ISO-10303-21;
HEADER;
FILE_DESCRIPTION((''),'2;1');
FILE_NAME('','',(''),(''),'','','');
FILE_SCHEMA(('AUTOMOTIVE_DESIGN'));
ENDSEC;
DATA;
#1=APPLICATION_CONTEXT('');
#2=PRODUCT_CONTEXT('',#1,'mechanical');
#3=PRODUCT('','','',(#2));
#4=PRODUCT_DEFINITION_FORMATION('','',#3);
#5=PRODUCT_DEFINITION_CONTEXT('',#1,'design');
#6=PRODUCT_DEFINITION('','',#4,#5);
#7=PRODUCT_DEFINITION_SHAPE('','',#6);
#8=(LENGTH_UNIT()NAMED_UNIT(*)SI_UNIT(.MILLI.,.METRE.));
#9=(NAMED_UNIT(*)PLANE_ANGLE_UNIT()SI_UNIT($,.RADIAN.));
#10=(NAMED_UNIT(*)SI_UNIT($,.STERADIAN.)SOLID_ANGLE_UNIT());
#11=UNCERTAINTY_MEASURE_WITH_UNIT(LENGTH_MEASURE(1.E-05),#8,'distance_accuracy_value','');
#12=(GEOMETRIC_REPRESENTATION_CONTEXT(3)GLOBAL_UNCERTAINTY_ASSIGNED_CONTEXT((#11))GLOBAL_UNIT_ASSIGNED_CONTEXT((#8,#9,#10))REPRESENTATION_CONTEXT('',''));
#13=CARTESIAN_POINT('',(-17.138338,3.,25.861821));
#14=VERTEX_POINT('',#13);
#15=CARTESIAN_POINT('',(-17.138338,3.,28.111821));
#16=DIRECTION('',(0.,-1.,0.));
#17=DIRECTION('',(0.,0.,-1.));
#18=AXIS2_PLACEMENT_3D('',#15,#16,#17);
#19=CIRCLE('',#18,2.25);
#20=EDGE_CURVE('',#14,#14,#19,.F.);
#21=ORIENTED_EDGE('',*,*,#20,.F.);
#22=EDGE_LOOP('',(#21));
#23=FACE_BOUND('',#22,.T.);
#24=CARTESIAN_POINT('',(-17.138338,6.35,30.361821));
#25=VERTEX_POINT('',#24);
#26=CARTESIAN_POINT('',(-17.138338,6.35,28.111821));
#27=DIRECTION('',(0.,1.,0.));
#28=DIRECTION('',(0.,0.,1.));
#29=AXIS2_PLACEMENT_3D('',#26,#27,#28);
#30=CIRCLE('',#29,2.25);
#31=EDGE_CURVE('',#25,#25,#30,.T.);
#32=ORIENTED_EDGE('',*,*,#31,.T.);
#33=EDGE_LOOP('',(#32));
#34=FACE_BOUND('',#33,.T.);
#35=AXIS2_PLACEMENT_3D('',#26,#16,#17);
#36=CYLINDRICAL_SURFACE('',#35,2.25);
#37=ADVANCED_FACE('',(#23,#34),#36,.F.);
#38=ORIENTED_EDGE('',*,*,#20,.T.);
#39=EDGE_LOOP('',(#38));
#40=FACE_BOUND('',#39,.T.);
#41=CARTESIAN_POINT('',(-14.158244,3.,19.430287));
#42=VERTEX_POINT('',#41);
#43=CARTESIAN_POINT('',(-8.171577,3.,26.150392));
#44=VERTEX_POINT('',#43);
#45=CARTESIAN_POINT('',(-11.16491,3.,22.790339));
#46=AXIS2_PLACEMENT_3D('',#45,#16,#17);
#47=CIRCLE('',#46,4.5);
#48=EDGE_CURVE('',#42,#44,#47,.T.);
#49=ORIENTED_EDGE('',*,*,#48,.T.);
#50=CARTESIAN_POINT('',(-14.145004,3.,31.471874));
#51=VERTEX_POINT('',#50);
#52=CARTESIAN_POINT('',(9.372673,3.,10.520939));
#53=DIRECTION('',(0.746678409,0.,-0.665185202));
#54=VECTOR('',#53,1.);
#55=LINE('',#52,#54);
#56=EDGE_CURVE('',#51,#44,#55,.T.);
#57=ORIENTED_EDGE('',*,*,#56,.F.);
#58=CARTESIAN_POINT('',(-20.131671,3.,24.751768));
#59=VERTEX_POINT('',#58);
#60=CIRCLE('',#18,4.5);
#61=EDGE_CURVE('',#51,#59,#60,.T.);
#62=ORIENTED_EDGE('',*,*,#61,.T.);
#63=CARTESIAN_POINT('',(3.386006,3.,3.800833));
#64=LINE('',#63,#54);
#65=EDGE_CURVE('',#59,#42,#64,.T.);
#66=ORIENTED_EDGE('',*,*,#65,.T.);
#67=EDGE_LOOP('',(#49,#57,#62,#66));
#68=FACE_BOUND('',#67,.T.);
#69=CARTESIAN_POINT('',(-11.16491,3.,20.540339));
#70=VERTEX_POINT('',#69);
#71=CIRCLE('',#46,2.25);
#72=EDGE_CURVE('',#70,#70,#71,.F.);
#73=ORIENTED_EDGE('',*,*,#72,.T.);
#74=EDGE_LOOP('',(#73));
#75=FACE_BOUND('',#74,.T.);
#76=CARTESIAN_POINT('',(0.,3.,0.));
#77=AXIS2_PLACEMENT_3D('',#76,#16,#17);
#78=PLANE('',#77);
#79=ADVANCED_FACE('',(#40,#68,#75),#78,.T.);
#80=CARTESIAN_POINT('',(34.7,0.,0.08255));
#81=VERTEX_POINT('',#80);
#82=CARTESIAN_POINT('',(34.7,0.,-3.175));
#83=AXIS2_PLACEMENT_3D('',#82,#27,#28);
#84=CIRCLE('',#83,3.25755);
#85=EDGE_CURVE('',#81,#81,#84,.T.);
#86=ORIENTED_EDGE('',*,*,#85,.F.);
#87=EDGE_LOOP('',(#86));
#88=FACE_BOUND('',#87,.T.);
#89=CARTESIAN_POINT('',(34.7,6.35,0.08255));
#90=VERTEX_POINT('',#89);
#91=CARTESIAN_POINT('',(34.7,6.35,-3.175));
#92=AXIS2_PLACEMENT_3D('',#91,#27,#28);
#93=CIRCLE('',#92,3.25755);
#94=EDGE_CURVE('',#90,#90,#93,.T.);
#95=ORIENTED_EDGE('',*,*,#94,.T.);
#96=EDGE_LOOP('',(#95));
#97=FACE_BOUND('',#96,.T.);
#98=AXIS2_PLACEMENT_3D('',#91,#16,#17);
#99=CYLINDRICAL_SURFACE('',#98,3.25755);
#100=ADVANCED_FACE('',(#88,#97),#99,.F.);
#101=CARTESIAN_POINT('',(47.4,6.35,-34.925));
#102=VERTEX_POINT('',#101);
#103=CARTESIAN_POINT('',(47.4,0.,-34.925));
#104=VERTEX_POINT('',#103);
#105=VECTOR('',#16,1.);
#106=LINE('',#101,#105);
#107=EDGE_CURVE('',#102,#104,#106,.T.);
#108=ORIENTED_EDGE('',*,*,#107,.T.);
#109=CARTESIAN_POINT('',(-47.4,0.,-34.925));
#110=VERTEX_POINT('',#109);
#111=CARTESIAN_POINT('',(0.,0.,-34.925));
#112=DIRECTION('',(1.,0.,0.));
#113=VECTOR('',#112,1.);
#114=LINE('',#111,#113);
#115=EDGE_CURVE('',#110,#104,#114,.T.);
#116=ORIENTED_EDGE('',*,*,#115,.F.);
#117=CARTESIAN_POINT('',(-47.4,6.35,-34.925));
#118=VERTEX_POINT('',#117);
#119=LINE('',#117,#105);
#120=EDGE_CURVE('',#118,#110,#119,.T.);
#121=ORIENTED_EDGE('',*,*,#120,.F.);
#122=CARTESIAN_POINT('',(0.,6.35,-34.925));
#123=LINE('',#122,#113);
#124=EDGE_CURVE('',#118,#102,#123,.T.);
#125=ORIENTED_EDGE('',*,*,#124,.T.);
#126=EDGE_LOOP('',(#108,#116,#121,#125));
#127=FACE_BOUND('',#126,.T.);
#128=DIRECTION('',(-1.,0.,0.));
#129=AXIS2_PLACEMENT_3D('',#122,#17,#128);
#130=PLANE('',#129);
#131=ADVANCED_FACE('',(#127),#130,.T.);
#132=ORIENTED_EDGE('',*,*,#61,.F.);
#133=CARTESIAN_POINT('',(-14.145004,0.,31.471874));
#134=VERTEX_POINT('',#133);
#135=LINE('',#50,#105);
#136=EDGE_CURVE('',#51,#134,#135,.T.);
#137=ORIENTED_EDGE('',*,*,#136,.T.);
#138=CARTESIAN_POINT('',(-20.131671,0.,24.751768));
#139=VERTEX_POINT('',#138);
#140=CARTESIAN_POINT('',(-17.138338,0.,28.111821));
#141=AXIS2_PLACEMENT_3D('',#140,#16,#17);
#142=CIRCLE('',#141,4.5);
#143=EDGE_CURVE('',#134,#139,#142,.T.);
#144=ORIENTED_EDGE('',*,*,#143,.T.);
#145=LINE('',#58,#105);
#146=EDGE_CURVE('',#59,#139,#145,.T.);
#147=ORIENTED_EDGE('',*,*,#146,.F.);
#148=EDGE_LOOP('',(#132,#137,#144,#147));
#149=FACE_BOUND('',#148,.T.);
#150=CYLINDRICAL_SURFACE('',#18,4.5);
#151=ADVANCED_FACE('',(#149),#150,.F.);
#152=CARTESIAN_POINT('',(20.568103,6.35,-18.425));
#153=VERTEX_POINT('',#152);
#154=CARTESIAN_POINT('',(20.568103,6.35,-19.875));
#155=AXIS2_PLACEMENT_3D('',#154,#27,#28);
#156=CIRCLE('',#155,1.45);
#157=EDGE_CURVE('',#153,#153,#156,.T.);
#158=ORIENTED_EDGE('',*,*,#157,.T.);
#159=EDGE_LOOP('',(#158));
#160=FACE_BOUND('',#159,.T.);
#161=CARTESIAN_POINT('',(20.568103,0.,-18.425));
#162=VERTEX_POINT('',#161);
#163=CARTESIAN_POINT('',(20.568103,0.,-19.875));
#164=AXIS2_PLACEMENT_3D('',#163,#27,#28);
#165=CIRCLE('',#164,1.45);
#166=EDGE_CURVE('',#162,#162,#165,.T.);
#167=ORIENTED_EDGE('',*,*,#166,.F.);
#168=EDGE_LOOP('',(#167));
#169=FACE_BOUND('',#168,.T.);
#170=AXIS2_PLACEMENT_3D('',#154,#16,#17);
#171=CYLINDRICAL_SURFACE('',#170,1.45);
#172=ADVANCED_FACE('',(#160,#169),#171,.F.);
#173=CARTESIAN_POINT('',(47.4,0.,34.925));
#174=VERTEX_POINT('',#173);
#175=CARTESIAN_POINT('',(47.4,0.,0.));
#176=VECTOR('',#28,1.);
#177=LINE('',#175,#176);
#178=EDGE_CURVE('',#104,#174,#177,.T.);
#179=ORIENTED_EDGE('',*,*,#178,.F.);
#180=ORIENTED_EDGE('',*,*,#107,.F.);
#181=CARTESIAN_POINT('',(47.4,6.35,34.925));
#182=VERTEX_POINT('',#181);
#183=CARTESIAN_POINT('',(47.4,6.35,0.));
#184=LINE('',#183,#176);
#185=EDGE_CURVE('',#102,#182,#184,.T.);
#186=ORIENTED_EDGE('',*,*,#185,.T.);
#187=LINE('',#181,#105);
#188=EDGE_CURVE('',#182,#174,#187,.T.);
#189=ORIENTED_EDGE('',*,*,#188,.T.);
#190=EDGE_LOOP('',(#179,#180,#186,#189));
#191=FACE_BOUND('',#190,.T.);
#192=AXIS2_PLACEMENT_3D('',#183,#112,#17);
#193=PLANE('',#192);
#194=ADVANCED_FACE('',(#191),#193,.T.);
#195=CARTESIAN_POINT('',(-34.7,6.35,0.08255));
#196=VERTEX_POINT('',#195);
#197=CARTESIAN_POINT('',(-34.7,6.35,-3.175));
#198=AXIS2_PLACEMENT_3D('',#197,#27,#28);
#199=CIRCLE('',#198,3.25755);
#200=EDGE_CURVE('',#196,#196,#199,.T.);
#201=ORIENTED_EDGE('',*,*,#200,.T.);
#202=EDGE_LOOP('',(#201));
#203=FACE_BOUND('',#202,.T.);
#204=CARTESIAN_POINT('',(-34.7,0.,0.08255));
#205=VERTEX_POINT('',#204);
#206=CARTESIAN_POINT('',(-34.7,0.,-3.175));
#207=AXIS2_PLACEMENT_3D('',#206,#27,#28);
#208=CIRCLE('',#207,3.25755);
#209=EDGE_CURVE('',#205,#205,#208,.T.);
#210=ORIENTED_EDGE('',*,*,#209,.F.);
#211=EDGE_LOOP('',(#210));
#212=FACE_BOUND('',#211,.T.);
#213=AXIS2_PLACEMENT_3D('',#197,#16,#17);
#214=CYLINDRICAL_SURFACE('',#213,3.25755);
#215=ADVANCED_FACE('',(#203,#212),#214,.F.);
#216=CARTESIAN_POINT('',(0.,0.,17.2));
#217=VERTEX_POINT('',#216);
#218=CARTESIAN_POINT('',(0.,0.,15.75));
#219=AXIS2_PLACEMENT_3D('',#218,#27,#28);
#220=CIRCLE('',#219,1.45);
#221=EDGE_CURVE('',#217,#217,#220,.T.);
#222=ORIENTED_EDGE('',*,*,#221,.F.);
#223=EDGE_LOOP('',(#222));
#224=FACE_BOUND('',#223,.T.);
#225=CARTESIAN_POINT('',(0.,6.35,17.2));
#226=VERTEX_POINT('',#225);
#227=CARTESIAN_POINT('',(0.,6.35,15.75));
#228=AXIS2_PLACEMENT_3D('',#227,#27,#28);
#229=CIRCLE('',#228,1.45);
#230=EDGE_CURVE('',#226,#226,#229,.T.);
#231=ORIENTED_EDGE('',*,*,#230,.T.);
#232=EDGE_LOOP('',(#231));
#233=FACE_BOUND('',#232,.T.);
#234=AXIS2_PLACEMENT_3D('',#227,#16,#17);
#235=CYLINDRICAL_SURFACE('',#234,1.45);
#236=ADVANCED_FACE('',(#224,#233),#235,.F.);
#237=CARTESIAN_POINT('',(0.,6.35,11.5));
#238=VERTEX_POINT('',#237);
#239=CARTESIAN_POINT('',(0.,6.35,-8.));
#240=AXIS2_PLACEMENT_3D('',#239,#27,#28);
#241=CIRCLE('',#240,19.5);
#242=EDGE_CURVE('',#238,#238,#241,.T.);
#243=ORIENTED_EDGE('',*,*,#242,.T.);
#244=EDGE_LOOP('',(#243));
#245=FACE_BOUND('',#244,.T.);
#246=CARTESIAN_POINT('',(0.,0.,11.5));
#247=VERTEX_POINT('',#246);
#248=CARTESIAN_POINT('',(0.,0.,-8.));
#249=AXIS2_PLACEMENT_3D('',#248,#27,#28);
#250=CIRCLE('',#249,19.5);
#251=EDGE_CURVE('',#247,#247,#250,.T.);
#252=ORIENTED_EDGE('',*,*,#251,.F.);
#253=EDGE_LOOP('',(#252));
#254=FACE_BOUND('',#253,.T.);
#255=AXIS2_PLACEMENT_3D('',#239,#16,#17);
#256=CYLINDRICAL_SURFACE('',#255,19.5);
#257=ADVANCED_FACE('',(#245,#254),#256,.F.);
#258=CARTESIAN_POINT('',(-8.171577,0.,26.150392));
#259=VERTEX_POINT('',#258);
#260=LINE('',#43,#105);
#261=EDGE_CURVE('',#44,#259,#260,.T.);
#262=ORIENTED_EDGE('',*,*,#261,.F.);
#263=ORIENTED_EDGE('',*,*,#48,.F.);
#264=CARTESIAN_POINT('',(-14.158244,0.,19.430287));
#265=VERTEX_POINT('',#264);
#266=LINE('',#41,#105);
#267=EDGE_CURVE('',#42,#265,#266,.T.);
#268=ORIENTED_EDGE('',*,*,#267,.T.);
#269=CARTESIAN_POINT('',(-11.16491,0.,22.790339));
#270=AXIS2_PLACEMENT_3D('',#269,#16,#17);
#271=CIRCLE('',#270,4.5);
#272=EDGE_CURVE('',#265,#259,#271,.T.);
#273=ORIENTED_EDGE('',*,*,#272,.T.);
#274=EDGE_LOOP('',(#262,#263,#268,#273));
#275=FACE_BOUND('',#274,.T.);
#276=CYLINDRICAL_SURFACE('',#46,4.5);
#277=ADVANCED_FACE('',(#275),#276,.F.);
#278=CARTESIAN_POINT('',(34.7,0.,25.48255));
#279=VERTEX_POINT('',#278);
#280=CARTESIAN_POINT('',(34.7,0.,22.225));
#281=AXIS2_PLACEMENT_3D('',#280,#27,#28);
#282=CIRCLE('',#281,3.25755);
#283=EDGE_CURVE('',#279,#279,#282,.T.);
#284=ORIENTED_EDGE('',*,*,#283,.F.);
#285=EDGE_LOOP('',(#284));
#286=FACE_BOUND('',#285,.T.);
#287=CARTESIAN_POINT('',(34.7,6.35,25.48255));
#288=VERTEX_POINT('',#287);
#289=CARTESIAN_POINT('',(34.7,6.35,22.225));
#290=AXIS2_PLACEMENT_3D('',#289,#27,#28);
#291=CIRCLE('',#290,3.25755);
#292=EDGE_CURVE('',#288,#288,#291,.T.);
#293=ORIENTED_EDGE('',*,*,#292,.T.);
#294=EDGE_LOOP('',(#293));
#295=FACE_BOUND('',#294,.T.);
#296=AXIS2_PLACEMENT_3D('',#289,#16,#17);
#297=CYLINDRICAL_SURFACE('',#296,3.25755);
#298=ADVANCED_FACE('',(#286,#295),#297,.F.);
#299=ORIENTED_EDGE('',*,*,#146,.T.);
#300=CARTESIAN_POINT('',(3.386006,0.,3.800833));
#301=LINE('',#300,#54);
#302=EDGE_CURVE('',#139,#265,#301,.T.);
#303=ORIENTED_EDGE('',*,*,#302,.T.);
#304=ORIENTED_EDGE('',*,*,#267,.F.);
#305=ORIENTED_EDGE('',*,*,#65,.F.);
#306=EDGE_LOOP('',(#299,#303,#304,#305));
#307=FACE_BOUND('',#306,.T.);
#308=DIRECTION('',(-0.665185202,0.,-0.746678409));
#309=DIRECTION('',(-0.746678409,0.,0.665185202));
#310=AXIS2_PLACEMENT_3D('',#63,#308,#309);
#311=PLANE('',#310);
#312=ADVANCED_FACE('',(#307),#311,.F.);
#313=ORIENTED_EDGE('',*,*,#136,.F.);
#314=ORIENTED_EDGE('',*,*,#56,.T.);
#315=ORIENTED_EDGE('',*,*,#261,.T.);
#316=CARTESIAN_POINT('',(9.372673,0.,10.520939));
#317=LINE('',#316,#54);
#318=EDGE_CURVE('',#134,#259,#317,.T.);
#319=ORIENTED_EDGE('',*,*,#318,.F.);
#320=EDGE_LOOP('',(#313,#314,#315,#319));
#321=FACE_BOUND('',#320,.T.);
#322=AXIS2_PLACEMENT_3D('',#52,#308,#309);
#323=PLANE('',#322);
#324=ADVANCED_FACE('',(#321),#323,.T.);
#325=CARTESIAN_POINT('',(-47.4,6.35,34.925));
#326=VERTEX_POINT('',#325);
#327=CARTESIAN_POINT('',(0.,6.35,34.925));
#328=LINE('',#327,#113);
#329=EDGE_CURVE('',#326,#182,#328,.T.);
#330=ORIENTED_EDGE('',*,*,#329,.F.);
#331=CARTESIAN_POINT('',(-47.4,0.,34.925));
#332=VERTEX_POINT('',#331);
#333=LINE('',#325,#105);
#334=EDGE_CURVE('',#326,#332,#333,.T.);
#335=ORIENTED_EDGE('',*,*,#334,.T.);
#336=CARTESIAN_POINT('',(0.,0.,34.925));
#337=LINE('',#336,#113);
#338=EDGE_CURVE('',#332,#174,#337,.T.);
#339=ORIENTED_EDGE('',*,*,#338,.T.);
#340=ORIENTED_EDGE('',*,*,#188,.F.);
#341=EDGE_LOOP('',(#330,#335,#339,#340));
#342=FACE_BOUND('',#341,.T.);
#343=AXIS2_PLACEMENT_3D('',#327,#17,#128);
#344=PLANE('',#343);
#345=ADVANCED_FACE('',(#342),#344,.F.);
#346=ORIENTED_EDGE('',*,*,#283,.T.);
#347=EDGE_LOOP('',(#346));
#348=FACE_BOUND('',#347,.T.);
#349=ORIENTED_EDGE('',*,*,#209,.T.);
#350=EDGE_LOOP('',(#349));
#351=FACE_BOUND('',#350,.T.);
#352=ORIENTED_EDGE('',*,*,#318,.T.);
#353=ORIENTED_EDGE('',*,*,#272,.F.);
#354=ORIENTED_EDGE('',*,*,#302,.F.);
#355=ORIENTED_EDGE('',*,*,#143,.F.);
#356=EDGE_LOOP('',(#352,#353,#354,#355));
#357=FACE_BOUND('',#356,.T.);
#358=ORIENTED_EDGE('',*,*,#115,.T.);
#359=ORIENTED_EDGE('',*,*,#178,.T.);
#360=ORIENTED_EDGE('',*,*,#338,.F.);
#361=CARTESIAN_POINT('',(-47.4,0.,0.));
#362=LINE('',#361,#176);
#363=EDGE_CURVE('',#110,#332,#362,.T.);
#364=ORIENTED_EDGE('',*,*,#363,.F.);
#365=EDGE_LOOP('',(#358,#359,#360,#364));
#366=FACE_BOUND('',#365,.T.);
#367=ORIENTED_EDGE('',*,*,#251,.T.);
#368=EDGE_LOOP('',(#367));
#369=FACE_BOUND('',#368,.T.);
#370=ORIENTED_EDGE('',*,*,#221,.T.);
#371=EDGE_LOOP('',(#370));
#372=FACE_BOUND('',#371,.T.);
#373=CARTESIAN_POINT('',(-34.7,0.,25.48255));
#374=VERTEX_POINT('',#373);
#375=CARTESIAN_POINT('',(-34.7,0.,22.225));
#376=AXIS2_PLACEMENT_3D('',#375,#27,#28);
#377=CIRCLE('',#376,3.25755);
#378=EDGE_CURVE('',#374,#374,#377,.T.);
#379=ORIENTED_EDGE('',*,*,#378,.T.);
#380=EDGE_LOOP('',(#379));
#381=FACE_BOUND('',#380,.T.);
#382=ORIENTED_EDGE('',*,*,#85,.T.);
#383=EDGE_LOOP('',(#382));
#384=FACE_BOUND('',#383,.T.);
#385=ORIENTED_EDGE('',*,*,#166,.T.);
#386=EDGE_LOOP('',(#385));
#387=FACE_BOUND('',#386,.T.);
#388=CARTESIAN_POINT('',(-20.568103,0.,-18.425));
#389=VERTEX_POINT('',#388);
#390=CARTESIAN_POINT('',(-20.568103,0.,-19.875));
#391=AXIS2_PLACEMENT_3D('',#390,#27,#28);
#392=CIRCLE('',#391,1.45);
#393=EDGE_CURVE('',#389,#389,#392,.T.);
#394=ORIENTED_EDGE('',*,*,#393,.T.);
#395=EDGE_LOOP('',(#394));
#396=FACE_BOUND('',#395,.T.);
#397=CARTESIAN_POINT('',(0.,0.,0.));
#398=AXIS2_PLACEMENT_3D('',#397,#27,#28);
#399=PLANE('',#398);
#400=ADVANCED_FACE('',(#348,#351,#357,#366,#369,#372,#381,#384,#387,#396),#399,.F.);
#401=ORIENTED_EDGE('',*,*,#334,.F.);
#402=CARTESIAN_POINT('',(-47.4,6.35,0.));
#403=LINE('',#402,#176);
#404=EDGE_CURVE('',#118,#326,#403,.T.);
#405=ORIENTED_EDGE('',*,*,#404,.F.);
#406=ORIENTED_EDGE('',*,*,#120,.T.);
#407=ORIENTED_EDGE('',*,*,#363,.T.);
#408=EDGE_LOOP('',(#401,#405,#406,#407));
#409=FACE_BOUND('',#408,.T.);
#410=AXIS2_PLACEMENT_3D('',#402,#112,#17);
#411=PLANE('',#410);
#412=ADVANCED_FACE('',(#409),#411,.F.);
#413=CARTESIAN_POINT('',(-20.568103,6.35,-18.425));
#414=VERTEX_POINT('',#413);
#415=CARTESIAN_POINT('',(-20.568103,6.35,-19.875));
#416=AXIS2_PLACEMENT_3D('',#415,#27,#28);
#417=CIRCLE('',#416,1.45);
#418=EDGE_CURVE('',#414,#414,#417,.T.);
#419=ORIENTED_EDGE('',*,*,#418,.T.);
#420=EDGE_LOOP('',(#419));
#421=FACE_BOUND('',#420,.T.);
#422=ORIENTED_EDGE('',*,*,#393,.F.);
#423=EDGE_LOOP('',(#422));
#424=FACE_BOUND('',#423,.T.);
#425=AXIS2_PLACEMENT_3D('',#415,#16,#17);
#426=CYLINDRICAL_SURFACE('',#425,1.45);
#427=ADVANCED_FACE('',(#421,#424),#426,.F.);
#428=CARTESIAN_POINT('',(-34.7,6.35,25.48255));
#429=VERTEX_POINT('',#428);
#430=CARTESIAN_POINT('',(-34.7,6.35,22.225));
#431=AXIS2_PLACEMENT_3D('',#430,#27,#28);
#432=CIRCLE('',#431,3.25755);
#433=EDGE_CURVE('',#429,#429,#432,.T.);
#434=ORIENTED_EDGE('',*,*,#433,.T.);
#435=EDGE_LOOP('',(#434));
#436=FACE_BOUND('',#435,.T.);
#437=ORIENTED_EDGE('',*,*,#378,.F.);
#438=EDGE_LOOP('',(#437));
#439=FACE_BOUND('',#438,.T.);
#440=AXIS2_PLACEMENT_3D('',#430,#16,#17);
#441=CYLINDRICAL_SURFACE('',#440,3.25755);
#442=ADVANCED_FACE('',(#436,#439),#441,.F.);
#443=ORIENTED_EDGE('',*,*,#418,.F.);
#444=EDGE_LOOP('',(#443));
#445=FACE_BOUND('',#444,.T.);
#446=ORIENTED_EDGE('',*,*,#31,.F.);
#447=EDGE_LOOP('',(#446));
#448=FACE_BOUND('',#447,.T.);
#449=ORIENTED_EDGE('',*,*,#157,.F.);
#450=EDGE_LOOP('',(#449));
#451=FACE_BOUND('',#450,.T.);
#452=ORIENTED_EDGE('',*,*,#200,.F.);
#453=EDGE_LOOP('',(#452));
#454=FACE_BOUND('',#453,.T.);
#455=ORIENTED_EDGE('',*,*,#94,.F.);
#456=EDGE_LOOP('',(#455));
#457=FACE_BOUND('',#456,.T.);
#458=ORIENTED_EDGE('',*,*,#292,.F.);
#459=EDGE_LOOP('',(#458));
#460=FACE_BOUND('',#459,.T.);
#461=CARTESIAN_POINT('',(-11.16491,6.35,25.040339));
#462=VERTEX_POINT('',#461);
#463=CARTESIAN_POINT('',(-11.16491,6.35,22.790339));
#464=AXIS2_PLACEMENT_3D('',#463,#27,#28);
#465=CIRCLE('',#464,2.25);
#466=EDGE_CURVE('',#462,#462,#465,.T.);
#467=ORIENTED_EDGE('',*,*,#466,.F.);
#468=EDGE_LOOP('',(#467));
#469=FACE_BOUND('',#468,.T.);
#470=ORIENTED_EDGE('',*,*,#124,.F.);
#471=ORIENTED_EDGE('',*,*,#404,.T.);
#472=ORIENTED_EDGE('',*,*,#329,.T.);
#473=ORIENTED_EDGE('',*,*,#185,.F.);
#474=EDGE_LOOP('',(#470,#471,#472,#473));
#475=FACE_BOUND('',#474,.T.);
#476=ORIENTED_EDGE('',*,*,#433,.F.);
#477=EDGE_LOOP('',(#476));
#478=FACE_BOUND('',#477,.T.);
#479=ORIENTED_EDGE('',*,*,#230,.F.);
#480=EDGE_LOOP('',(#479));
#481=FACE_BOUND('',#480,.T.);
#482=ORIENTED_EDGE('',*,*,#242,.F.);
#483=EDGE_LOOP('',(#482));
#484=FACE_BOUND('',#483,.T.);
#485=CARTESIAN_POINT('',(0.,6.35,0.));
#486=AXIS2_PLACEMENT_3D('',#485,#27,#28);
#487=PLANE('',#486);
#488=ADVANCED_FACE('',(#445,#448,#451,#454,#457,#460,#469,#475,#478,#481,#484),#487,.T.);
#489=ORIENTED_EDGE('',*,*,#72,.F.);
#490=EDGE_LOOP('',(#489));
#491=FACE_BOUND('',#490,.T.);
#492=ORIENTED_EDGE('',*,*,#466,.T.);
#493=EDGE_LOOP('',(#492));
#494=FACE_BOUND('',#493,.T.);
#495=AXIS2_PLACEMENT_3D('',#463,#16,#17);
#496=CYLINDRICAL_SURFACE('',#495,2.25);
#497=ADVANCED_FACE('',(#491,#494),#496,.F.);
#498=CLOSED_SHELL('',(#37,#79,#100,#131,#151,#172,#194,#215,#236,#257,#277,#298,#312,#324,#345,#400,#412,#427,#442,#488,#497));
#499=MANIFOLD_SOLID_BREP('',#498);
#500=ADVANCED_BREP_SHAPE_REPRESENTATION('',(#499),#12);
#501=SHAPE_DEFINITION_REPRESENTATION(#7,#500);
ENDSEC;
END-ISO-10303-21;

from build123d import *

# Parameters (mm, degrees)
SKETCH1_W           = 94.8
SKETCH1_H           = 69.85
SKETCH1_R           = 2.25
SKETCH1_R_2         = 1.45
SKETCH1_R_3         = 3.25755
SKETCH1_R_4         = 19.5
BOSS_EXTRUDE1_DEPTH = 6.35
CUT_EXTRUDE2_DEPTH  = 3


with BuildPart() as part:
    # Sketch1 → Boss-Extrude1 (new body)
    with BuildSketch(Plane(origin=(0, 0, 0), x_dir=(1, 0, 0), z_dir=(0, 1, 0))):
        Rectangle(SKETCH1_W, SKETCH1_H)
        with Locations((-17.138337536, -28.111820997)):
            Circle(SKETCH1_R, mode=Mode.SUBTRACT)
        with Locations((20.56810334, 19.875)):
            Circle(SKETCH1_R_2, mode=Mode.SUBTRACT)
        with Locations((-20.56810334, 19.875)):
            Circle(SKETCH1_R_2, mode=Mode.SUBTRACT)
        with Locations((0, -15.75)):
            Circle(SKETCH1_R_2, mode=Mode.SUBTRACT)
        with Locations((34.7, 3.175)):
            Circle(SKETCH1_R_3, mode=Mode.SUBTRACT)
        with Locations((-34.7, 3.175)):
            Circle(SKETCH1_R_3, mode=Mode.SUBTRACT)
        with Locations((0, 8)):
            Circle(SKETCH1_R_4, mode=Mode.SUBTRACT)
        with Locations((-11.164910261, -22.79033938)):
            Circle(SKETCH1_R, mode=Mode.SUBTRACT)
        with Locations((-34.7, -22.225)):
            Circle(SKETCH1_R_3, mode=Mode.SUBTRACT)
        with Locations((34.7, -22.225)):
            Circle(SKETCH1_R_3, mode=Mode.SUBTRACT)
    extrude(amount=BOSS_EXTRUDE1_DEPTH)

    # Sketch4 → Cut-Extrude2 (cut)
    with BuildSketch(Plane.XZ):
        with BuildLine():
            Line((-14.145004126, 31.471873838), (-8.171576852, 26.150392222))
            ThreePointArc((-8.171576852, 26.150392222), (-7.804857419, 19.797005971), (-14.15824367, 19.430286538))
            Line((-14.15824367, 19.430286538), (-20.131670945, 24.751768155))
            ThreePointArc((-20.131670945, 24.751768155), (-20.498390378, 31.105154406), (-14.145004126, 31.471873838))
        make_face()
    extrude(amount=-CUT_EXTRUDE2_DEPTH, mode=Mode.SUBTRACT)


solid = part.part
